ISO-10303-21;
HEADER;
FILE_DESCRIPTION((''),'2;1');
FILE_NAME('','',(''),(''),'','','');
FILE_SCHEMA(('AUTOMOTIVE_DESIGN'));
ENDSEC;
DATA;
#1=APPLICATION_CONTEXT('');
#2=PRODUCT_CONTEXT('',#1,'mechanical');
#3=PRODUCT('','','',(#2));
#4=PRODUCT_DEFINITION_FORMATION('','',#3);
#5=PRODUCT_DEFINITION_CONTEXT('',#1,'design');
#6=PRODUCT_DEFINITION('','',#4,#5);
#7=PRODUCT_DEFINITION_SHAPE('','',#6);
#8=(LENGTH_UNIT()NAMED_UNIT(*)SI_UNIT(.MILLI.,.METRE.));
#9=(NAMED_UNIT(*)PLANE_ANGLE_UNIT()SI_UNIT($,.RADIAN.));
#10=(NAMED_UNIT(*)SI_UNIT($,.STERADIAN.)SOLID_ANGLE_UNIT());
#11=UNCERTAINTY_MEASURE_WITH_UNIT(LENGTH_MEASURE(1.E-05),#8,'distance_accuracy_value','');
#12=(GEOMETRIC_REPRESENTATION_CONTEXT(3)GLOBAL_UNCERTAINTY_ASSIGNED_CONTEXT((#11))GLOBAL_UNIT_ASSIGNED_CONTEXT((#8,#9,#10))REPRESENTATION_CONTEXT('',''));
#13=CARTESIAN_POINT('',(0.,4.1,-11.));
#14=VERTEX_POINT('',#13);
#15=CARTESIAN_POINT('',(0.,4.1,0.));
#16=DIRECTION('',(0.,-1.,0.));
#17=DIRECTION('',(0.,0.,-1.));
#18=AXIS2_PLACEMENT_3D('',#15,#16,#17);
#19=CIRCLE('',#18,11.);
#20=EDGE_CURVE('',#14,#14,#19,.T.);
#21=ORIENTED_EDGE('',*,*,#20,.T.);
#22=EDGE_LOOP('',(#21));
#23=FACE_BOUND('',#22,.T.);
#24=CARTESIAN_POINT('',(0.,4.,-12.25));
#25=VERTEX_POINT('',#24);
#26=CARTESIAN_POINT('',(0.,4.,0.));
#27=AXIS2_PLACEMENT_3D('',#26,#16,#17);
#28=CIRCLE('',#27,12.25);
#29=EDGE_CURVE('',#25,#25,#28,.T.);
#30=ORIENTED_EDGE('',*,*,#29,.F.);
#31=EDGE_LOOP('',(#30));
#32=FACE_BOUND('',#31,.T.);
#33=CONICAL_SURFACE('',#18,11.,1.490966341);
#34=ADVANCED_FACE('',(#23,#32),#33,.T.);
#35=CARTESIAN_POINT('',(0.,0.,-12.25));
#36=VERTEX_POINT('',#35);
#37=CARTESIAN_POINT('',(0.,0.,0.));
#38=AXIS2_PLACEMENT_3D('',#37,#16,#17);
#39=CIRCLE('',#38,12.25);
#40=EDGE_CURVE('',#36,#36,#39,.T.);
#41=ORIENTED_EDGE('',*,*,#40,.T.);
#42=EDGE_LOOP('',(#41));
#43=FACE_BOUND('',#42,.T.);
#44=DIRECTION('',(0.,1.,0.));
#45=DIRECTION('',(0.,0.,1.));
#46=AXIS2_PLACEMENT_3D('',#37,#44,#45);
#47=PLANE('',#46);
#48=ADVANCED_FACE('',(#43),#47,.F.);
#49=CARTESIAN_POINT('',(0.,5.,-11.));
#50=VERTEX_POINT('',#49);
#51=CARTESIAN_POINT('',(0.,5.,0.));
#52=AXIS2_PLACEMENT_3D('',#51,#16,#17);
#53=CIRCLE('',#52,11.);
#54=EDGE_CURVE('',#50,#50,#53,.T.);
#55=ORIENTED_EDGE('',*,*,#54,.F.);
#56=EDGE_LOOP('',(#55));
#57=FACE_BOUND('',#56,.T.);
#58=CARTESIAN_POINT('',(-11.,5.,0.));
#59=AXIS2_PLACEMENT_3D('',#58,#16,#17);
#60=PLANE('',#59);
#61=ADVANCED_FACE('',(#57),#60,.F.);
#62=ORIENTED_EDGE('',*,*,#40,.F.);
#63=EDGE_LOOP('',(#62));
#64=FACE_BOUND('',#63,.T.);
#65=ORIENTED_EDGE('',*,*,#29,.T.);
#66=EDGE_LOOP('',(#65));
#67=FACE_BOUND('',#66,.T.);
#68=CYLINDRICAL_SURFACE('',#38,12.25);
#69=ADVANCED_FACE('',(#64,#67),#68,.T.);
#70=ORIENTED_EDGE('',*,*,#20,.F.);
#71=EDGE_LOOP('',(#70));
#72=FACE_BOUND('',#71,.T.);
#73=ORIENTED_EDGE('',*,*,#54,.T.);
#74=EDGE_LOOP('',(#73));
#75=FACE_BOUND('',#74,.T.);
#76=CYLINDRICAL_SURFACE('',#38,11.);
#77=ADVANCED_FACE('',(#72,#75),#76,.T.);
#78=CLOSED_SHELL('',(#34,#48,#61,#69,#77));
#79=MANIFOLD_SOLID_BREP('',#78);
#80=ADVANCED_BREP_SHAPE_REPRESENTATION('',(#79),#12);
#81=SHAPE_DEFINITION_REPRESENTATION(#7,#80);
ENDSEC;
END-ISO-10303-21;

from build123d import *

# Parameters (mm, degrees)
SKETCH_3_W = 11
SKETCH_3_H = 5


with BuildPart() as part:
    # 草图3 → 旋转1 (revolve)
    with BuildSketch(Plane.XY, mode=Mode.PRIVATE) as revolve_1_sk:
        with Locations((-5.5, 2.5)):
            Rectangle(SKETCH_3_W, SKETCH_3_H)
    revolve(revolve_1_sk.sketch.rotate(Axis((0, 0, 0), (0, 1, 0)), 270), axis=Axis((0, 0, 0), (0, 1, 0)))

    # 草图4 → 旋转2 (revolve)
    with BuildSketch(Plane.XY, mode=Mode.PRIVATE) as revolve_2_sk:
        Polygon((-12.25, 0), (-11, 0), (-11, 4.1), (-12.25, 4), align=None)
    revolve(revolve_2_sk.sketch.rotate(Axis((0, 0, 0), (0, 1, 0)), 270), axis=Axis((0, 0, 0), (0, 1, 0)))


solid = part.part
